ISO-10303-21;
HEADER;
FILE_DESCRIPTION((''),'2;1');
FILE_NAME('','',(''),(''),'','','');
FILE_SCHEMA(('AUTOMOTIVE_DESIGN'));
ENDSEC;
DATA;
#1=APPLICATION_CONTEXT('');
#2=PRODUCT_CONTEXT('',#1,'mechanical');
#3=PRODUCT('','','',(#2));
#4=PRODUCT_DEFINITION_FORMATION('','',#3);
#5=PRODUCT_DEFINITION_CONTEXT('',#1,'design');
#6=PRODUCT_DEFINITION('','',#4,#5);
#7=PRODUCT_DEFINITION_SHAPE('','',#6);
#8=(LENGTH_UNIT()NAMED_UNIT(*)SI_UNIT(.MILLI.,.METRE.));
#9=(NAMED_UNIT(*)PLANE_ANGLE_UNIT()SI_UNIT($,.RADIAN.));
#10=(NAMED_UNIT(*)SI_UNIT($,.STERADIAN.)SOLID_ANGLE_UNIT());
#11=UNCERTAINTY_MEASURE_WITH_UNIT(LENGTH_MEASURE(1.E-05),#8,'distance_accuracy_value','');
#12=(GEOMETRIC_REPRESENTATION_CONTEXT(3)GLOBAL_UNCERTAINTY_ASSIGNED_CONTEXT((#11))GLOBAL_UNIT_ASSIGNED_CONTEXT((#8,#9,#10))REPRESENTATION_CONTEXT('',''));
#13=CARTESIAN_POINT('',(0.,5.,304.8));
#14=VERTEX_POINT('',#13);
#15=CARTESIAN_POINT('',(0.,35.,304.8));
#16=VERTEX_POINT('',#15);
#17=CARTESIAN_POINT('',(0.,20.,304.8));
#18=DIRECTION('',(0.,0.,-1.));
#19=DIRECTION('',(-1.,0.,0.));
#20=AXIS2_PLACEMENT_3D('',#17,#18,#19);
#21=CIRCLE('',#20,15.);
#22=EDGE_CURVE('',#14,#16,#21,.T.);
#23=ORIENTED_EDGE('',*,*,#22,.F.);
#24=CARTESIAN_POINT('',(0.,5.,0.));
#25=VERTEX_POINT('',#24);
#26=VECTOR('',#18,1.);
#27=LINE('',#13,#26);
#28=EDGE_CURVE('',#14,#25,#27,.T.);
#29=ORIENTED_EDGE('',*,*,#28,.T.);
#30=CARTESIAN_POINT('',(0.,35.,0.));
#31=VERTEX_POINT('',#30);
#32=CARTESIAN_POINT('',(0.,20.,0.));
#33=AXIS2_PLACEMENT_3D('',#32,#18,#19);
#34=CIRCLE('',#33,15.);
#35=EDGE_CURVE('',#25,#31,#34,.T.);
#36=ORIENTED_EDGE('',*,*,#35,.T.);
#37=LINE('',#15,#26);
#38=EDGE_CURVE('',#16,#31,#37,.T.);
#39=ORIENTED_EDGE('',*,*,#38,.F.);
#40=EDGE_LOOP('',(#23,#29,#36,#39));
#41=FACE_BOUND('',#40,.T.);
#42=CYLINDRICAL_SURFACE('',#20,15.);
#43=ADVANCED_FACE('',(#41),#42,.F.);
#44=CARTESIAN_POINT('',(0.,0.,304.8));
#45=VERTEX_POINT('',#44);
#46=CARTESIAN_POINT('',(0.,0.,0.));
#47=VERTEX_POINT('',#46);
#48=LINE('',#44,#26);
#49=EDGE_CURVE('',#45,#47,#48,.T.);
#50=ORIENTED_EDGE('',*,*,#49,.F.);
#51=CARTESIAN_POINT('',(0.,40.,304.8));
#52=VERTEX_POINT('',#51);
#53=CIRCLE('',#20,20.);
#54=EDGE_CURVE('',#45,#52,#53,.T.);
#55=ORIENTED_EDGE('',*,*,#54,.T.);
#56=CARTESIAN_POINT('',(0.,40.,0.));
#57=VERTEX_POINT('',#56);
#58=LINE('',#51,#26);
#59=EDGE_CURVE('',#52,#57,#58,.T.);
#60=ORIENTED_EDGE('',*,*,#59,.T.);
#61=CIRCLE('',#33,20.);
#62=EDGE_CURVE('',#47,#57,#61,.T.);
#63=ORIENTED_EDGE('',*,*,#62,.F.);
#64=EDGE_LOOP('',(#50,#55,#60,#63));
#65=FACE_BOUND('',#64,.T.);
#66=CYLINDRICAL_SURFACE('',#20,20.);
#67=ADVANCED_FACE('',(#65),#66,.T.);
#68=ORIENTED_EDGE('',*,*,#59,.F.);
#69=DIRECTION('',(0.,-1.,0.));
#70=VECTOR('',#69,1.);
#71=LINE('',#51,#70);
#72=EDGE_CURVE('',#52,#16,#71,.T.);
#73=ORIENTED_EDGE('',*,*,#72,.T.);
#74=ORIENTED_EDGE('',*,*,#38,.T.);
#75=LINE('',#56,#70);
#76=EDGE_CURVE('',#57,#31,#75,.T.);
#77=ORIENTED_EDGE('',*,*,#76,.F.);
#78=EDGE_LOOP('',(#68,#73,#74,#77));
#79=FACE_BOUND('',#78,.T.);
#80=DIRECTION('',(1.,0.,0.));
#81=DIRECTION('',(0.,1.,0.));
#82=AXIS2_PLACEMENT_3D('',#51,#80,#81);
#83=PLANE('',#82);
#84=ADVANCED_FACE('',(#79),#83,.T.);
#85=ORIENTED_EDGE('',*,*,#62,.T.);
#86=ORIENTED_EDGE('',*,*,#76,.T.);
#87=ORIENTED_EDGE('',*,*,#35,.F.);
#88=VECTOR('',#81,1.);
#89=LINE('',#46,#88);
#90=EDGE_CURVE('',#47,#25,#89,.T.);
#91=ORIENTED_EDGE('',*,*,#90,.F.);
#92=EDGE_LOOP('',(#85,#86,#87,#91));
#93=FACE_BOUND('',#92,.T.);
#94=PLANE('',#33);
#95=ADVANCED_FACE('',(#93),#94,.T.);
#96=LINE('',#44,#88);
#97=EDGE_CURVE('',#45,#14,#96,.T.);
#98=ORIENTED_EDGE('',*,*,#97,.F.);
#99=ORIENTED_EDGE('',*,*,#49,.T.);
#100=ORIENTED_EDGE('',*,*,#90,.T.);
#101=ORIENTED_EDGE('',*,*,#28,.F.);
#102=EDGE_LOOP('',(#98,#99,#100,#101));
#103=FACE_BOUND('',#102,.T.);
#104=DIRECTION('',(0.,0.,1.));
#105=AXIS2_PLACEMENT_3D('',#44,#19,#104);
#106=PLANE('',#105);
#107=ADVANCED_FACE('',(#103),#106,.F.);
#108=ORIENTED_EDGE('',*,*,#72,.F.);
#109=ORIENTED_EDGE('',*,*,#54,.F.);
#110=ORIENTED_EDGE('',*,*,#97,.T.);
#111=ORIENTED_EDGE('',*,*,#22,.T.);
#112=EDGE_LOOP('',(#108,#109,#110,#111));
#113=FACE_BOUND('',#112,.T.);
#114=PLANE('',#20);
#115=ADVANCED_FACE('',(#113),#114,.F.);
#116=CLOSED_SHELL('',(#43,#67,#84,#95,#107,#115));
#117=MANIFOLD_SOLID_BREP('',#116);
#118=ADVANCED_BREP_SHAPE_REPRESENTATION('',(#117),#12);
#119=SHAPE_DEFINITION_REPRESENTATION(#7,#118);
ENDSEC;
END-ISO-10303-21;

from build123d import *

# Parameters (mm, degrees)
BOSS_EXTRUDE3_DEPTH = 304.8


with BuildPart() as part:
    # Sketch3 → Boss-Extrude3 (new body)
    with BuildSketch(Plane(origin=(0, 0, 0), x_dir=(0, 1, 0), z_dir=(0, 0, 1))):
        with BuildLine():
            Line((0, 0), (5, 0))
            ThreePointArc((5, 0), (20, 15), (35, 0))
            Line((35, 0), (40, 0))
            ThreePointArc((40, 0), (20, 20), (0, 0))
        make_face()
    extrude(amount=BOSS_EXTRUDE3_DEPTH)


solid = part.part
